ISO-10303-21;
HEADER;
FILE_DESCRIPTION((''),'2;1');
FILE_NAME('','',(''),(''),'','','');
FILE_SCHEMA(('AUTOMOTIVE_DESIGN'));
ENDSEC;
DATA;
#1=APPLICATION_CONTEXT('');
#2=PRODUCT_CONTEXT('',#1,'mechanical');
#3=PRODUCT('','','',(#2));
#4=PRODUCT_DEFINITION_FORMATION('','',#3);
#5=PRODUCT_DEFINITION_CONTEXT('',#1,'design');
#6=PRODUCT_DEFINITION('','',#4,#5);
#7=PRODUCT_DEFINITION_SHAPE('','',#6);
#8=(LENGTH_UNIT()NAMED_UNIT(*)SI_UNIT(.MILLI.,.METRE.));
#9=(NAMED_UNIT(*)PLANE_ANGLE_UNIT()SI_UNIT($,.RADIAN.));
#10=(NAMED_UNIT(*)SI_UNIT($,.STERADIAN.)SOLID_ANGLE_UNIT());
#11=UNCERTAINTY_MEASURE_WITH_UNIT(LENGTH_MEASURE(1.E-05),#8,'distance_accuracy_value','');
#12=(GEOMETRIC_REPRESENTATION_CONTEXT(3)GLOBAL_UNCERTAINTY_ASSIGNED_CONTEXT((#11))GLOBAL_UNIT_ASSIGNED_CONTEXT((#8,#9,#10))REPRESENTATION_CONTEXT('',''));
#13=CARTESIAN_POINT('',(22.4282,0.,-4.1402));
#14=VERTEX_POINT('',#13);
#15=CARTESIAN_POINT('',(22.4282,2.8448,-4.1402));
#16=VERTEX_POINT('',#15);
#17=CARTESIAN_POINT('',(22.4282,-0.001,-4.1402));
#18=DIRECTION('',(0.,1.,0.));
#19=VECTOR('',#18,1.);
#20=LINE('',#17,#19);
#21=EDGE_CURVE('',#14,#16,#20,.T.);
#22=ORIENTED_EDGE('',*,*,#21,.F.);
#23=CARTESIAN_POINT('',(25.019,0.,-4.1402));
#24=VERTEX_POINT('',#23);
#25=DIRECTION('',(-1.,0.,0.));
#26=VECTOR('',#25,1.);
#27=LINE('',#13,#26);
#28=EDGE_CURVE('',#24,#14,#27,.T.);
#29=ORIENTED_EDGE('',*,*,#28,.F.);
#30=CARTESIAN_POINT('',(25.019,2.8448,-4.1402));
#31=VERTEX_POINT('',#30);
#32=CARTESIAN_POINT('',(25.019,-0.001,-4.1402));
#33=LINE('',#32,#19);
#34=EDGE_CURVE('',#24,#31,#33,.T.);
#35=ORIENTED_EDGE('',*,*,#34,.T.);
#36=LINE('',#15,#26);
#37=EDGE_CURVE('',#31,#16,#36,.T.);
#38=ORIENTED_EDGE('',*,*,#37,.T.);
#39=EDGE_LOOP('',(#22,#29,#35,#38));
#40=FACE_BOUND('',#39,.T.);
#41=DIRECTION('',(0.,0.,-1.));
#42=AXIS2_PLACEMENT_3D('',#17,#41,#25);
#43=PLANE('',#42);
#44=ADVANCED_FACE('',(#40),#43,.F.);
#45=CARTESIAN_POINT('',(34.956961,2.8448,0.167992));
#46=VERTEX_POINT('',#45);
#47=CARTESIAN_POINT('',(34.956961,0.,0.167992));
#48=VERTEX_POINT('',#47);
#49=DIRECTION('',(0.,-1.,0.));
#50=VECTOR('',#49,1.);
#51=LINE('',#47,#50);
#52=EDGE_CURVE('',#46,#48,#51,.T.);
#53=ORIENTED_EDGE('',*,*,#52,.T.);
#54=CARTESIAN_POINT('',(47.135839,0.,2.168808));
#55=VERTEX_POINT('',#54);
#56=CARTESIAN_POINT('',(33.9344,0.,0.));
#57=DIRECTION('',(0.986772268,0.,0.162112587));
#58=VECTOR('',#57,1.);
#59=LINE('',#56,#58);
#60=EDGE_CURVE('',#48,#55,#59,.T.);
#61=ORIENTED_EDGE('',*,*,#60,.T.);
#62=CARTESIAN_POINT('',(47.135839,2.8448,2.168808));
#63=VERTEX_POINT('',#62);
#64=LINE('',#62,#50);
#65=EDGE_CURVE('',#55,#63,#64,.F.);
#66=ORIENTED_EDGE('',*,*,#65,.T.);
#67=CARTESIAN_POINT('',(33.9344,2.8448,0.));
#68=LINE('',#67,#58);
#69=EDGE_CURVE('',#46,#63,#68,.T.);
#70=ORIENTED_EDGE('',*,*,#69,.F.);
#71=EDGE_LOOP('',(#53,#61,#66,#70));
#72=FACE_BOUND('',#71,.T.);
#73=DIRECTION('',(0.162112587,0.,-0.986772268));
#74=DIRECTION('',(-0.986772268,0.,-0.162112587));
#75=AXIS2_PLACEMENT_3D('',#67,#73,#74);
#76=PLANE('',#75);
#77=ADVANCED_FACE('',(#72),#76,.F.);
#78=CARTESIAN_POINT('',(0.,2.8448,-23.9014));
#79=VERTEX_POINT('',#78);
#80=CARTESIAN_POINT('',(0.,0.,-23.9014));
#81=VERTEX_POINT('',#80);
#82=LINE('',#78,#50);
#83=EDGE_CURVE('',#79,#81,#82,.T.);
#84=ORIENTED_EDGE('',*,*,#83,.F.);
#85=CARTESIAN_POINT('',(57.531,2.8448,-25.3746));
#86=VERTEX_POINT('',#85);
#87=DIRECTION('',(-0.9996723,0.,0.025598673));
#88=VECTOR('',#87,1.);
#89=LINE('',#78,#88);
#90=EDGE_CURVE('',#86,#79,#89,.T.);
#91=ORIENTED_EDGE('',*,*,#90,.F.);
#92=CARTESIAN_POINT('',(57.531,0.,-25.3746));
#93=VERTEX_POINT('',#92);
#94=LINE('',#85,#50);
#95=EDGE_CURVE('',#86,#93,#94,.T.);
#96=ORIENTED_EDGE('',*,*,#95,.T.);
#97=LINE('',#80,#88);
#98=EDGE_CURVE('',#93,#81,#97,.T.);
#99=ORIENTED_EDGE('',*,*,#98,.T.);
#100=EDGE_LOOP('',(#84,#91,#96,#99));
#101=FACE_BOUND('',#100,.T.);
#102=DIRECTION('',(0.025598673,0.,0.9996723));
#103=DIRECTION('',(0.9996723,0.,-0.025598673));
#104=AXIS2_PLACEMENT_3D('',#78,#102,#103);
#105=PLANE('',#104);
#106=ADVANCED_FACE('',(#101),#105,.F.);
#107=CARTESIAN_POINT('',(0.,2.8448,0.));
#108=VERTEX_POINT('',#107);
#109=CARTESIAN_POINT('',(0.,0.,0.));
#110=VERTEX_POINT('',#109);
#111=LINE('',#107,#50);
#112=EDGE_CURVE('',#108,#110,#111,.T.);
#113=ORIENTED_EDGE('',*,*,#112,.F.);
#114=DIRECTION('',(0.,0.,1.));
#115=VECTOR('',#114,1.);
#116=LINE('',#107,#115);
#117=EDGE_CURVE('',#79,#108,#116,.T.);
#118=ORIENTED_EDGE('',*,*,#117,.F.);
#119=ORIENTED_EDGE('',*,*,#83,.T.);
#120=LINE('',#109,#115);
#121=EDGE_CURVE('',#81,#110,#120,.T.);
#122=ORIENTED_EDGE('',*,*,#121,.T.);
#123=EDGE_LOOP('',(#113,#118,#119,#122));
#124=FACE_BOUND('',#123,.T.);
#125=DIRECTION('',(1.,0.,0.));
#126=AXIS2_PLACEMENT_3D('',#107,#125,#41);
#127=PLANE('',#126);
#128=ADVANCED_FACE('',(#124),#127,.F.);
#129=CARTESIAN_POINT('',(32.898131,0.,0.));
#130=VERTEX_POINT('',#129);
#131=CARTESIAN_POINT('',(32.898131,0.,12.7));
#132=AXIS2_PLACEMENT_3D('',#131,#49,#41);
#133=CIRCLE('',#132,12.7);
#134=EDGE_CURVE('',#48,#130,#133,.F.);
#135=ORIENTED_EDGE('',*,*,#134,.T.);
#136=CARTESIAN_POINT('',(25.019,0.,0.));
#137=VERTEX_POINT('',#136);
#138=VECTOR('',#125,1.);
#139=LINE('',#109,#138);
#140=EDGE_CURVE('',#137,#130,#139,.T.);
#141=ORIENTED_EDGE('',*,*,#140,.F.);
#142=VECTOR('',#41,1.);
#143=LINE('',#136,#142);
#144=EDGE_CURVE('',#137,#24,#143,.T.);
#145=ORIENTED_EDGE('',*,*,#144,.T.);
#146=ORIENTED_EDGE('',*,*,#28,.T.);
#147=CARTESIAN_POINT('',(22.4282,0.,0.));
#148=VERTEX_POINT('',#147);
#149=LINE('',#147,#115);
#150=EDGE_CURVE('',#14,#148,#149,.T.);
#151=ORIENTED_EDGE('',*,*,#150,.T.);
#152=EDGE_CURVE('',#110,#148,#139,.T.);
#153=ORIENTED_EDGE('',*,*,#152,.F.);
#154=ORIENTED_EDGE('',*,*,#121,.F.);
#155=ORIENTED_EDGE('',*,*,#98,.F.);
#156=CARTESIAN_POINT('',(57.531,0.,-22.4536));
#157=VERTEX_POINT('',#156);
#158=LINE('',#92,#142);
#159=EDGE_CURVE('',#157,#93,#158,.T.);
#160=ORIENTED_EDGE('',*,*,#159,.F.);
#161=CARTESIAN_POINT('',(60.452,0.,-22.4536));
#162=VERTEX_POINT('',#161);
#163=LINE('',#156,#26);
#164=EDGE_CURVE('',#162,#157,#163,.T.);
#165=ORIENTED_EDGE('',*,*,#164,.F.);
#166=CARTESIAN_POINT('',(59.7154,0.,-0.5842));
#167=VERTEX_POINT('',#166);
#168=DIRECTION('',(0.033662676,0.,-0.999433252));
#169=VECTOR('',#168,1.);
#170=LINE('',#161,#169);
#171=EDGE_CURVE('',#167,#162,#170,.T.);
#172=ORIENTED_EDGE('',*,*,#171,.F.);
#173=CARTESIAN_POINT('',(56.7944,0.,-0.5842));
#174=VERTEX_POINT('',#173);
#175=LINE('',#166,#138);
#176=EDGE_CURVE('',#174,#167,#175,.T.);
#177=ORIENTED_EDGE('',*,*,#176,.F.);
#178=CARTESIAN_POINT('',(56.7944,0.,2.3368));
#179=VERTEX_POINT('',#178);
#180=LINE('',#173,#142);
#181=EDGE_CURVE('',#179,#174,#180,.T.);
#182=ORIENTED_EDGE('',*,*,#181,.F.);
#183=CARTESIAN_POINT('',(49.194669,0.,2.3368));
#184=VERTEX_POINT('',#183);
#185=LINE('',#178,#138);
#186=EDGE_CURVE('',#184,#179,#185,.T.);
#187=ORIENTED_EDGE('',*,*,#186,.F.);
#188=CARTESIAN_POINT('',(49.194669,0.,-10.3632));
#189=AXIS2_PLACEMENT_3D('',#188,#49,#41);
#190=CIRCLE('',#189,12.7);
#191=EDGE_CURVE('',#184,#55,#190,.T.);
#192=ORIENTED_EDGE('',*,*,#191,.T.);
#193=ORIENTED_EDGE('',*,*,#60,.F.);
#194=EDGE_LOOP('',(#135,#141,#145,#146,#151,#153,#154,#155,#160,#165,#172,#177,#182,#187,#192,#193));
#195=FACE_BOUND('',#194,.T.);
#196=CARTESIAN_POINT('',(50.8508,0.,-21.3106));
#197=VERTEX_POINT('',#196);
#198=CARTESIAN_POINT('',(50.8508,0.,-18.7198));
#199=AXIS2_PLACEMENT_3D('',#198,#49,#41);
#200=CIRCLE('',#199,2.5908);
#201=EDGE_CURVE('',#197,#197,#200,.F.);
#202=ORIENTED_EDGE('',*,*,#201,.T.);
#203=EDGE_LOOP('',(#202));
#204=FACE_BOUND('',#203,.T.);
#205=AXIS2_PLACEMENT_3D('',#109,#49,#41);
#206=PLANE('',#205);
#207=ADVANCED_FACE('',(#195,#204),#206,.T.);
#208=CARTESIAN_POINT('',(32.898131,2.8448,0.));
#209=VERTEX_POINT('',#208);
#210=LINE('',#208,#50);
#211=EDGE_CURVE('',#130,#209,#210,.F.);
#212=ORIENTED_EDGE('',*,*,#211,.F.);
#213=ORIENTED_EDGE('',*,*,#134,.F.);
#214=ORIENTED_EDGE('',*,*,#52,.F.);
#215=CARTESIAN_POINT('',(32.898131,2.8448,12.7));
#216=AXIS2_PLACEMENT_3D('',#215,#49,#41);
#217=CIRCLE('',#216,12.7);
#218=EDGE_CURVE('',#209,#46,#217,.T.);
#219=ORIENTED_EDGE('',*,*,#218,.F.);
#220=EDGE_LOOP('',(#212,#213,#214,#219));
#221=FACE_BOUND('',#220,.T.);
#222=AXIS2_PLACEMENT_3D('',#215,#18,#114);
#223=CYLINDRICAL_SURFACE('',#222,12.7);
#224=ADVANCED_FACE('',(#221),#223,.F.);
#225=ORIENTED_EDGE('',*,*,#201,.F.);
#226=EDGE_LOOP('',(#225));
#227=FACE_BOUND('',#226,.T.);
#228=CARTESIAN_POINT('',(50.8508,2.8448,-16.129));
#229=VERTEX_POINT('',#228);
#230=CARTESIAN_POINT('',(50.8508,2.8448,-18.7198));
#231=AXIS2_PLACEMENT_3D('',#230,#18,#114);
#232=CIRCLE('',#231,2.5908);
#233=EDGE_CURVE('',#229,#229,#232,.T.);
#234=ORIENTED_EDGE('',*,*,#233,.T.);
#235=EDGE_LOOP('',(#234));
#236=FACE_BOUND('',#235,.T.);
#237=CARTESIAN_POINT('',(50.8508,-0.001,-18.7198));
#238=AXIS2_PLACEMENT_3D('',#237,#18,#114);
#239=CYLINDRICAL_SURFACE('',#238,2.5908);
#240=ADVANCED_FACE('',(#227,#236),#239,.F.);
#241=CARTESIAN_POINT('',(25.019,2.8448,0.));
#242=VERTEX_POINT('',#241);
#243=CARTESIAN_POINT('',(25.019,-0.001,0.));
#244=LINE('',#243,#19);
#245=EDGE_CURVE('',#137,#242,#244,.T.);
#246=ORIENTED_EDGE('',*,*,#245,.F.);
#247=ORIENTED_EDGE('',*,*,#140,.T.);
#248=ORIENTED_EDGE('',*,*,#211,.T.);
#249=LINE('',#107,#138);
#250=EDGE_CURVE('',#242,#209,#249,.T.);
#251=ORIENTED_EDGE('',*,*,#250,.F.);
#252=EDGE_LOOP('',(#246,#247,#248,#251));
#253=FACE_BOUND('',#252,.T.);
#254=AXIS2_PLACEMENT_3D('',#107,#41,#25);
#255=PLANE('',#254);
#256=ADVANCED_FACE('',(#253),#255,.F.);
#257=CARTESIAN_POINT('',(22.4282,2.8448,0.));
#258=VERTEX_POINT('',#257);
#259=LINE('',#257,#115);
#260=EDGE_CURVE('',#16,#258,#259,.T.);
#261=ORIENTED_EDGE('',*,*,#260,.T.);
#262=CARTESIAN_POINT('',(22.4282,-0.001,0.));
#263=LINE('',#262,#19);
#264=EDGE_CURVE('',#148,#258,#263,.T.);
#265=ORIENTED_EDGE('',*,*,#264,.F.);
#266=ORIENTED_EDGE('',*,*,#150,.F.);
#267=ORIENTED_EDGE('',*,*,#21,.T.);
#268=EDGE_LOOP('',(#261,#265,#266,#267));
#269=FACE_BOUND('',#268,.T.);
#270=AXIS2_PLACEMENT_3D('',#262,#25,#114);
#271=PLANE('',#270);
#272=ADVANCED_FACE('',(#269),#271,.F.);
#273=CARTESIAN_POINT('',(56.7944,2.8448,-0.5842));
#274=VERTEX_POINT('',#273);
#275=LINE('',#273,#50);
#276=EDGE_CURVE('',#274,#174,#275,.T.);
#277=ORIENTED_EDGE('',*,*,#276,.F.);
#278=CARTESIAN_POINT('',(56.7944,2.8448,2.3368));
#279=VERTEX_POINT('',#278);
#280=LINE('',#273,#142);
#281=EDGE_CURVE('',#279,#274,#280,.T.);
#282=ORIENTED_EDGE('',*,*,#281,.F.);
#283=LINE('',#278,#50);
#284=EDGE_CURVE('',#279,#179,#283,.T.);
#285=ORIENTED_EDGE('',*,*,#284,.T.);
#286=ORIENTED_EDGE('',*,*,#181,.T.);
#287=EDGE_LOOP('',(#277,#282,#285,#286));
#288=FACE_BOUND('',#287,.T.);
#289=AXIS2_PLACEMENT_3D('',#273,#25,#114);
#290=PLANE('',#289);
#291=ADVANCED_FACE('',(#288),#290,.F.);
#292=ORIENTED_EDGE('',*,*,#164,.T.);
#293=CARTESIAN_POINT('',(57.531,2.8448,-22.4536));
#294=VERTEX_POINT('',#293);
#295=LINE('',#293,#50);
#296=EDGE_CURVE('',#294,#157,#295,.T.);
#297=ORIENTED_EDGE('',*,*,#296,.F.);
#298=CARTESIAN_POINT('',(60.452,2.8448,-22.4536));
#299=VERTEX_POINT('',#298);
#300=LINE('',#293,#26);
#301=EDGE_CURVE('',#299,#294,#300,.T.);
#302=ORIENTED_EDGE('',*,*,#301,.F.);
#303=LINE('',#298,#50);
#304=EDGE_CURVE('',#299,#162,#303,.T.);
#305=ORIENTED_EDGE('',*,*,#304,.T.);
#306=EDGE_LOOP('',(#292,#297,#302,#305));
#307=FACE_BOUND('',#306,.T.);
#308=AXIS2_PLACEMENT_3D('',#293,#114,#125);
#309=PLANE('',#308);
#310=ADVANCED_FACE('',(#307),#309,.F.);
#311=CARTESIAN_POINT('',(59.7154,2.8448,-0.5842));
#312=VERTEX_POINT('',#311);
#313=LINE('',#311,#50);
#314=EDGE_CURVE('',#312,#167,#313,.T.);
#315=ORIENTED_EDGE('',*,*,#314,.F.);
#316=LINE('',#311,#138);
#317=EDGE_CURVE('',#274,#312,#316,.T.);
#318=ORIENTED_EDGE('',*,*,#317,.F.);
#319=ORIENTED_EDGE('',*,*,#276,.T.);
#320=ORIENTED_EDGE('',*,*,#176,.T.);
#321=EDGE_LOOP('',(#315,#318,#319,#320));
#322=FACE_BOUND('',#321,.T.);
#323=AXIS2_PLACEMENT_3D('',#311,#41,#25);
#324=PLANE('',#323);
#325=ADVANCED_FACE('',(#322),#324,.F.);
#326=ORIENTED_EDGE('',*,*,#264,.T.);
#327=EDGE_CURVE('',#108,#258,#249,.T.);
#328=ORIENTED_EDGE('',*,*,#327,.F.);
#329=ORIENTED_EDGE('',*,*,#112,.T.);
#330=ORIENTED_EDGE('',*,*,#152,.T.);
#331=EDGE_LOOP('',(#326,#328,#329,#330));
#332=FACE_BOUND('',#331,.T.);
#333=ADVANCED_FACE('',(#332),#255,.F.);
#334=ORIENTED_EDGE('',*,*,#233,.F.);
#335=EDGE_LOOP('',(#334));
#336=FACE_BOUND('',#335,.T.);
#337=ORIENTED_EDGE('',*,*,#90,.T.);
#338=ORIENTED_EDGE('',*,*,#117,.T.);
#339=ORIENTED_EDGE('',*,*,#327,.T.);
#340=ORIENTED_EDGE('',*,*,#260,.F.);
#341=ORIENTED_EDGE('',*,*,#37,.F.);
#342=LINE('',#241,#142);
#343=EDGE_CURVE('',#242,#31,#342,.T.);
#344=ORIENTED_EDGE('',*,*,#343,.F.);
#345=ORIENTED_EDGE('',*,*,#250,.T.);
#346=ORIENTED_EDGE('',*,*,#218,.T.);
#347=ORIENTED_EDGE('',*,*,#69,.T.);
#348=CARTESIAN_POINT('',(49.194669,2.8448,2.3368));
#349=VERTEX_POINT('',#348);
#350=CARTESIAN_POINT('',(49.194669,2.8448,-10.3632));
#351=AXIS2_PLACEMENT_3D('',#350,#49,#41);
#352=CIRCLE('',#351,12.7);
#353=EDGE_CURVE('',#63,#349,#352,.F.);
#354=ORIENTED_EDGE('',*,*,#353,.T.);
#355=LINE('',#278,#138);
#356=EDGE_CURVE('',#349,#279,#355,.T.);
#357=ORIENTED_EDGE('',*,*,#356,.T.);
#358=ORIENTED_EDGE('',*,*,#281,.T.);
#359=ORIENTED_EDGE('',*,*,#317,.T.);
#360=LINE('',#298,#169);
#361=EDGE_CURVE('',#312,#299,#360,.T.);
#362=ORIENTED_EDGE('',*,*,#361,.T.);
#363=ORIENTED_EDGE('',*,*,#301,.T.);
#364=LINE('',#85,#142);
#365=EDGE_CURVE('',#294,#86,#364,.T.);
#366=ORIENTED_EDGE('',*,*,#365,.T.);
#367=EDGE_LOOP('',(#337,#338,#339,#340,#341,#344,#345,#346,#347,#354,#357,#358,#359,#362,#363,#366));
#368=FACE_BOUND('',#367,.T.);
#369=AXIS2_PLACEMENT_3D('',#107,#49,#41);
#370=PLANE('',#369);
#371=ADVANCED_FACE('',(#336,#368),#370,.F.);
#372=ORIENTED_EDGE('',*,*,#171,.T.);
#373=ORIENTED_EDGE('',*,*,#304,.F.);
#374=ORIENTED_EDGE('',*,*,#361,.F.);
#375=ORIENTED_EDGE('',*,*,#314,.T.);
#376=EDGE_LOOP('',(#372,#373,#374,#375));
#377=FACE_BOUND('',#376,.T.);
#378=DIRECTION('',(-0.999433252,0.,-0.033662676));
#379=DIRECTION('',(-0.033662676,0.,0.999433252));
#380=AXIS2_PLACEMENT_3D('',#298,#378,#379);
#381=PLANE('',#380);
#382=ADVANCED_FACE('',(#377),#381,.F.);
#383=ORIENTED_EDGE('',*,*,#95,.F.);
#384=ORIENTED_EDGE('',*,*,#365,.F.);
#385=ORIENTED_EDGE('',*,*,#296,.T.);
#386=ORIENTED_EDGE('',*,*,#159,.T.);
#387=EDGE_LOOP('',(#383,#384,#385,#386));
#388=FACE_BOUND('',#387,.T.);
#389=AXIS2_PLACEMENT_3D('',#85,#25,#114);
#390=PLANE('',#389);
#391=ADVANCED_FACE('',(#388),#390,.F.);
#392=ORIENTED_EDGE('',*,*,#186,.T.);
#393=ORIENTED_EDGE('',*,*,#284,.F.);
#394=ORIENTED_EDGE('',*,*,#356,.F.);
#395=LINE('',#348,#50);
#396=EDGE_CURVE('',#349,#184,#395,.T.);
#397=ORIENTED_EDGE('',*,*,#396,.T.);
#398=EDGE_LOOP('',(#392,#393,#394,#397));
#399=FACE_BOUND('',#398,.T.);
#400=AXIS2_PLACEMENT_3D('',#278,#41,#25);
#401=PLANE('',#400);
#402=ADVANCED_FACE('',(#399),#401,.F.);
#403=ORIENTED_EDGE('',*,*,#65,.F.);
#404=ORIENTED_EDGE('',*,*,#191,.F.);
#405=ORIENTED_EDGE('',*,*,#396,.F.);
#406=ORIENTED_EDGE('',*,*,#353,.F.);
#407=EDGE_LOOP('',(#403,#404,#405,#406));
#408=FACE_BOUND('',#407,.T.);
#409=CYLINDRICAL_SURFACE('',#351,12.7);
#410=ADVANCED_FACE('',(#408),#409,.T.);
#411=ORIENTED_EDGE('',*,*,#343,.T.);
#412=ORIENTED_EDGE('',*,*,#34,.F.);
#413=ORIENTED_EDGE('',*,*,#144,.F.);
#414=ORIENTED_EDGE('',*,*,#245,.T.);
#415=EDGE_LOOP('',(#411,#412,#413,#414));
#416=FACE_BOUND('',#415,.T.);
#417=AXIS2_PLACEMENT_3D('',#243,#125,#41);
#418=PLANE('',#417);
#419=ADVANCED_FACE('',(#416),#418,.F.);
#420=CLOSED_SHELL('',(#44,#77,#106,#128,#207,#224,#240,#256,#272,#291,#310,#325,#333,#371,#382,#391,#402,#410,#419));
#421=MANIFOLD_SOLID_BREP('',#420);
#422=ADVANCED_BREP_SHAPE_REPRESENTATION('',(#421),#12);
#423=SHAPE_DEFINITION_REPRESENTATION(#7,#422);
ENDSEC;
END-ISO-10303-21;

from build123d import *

# Parameters (mm, degrees)
BOSS_EXTRUDE1_DEPTH = 2.8448
FILLET1_R           = 12.7
CUT_EXTRUDE1_REACH  = 67.623
SKETCH2_W           = 2.5908
SKETCH2_H           = 4.1402
CUT_EXTRUDE2_REACH  = 67.623
SKETCH3_R           = 2.5908


with BuildPart() as part:
    # Sketch1 → Boss-Extrude1 (new body)
    with BuildSketch(Plane(origin=(0, 0, 0), x_dir=(1, 0, 0), z_dir=(0, 1, 0))):
        Polygon((0, 0), (0, 23.9014), (57.531, 25.3746), (57.531, 22.4536), (60.452, 22.4536), (59.7154, 0.5842), (56.7944, 0.5842), (56.7944, -2.3368), (48.1584, -2.3368), (33.9344, 0), align=None)
    extrude(amount=BOSS_EXTRUDE1_DEPTH)

    # Fillet1
    fillet1_edges = [part.edges().sort_by_distance(p)[0] for p in [
        (48.1584, 1.4224, 2.3368),
        (33.9344, 1.4224, 0),
    ]]
    fillet(fillet1_edges, radius=FILLET1_R)

    # Sketch2 → Cut-Extrude1 (cut, up to next)
    with BuildSketch(Plane(origin=(0, 2.8448, 0), x_dir=(1, 0, 0), z_dir=(0, 1, 0)), mode=Mode.PRIVATE) as cut_extrude1_sk1:
        with Locations((23.7236, 2.0701)):
            Rectangle(SKETCH2_W, SKETCH2_H)
    cut_extrude1_tool1 = extrude(cut_extrude1_sk1.sketch, amount=-CUT_EXTRUDE1_REACH, mode=Mode.PRIVATE) & part.part
    add(cut_extrude1_tool1.solids().sort_by_distance((23.7236, 2.8448, -2.0701))[0], mode=Mode.SUBTRACT)

    # Sketch3 → Cut-Extrude2 (cut, up to next)
    with BuildSketch(Plane(origin=(0, 2.8448, 0), x_dir=(1, 0, 0), z_dir=(0, 1, 0)), mode=Mode.PRIVATE) as cut_extrude2_sk1:
        with Locations(Location((50.8508, 18.7198, 0), (0, 0, 270))):
            Circle(SKETCH3_R)
    cut_extrude2_tool1 = extrude(cut_extrude2_sk1.sketch, amount=-CUT_EXTRUDE2_REACH, mode=Mode.PRIVATE) & part.part
    add(cut_extrude2_tool1.solids().sort_by_distance((50.8508, 2.8448, -18.7198))[0], mode=Mode.SUBTRACT)


solid = part.part
